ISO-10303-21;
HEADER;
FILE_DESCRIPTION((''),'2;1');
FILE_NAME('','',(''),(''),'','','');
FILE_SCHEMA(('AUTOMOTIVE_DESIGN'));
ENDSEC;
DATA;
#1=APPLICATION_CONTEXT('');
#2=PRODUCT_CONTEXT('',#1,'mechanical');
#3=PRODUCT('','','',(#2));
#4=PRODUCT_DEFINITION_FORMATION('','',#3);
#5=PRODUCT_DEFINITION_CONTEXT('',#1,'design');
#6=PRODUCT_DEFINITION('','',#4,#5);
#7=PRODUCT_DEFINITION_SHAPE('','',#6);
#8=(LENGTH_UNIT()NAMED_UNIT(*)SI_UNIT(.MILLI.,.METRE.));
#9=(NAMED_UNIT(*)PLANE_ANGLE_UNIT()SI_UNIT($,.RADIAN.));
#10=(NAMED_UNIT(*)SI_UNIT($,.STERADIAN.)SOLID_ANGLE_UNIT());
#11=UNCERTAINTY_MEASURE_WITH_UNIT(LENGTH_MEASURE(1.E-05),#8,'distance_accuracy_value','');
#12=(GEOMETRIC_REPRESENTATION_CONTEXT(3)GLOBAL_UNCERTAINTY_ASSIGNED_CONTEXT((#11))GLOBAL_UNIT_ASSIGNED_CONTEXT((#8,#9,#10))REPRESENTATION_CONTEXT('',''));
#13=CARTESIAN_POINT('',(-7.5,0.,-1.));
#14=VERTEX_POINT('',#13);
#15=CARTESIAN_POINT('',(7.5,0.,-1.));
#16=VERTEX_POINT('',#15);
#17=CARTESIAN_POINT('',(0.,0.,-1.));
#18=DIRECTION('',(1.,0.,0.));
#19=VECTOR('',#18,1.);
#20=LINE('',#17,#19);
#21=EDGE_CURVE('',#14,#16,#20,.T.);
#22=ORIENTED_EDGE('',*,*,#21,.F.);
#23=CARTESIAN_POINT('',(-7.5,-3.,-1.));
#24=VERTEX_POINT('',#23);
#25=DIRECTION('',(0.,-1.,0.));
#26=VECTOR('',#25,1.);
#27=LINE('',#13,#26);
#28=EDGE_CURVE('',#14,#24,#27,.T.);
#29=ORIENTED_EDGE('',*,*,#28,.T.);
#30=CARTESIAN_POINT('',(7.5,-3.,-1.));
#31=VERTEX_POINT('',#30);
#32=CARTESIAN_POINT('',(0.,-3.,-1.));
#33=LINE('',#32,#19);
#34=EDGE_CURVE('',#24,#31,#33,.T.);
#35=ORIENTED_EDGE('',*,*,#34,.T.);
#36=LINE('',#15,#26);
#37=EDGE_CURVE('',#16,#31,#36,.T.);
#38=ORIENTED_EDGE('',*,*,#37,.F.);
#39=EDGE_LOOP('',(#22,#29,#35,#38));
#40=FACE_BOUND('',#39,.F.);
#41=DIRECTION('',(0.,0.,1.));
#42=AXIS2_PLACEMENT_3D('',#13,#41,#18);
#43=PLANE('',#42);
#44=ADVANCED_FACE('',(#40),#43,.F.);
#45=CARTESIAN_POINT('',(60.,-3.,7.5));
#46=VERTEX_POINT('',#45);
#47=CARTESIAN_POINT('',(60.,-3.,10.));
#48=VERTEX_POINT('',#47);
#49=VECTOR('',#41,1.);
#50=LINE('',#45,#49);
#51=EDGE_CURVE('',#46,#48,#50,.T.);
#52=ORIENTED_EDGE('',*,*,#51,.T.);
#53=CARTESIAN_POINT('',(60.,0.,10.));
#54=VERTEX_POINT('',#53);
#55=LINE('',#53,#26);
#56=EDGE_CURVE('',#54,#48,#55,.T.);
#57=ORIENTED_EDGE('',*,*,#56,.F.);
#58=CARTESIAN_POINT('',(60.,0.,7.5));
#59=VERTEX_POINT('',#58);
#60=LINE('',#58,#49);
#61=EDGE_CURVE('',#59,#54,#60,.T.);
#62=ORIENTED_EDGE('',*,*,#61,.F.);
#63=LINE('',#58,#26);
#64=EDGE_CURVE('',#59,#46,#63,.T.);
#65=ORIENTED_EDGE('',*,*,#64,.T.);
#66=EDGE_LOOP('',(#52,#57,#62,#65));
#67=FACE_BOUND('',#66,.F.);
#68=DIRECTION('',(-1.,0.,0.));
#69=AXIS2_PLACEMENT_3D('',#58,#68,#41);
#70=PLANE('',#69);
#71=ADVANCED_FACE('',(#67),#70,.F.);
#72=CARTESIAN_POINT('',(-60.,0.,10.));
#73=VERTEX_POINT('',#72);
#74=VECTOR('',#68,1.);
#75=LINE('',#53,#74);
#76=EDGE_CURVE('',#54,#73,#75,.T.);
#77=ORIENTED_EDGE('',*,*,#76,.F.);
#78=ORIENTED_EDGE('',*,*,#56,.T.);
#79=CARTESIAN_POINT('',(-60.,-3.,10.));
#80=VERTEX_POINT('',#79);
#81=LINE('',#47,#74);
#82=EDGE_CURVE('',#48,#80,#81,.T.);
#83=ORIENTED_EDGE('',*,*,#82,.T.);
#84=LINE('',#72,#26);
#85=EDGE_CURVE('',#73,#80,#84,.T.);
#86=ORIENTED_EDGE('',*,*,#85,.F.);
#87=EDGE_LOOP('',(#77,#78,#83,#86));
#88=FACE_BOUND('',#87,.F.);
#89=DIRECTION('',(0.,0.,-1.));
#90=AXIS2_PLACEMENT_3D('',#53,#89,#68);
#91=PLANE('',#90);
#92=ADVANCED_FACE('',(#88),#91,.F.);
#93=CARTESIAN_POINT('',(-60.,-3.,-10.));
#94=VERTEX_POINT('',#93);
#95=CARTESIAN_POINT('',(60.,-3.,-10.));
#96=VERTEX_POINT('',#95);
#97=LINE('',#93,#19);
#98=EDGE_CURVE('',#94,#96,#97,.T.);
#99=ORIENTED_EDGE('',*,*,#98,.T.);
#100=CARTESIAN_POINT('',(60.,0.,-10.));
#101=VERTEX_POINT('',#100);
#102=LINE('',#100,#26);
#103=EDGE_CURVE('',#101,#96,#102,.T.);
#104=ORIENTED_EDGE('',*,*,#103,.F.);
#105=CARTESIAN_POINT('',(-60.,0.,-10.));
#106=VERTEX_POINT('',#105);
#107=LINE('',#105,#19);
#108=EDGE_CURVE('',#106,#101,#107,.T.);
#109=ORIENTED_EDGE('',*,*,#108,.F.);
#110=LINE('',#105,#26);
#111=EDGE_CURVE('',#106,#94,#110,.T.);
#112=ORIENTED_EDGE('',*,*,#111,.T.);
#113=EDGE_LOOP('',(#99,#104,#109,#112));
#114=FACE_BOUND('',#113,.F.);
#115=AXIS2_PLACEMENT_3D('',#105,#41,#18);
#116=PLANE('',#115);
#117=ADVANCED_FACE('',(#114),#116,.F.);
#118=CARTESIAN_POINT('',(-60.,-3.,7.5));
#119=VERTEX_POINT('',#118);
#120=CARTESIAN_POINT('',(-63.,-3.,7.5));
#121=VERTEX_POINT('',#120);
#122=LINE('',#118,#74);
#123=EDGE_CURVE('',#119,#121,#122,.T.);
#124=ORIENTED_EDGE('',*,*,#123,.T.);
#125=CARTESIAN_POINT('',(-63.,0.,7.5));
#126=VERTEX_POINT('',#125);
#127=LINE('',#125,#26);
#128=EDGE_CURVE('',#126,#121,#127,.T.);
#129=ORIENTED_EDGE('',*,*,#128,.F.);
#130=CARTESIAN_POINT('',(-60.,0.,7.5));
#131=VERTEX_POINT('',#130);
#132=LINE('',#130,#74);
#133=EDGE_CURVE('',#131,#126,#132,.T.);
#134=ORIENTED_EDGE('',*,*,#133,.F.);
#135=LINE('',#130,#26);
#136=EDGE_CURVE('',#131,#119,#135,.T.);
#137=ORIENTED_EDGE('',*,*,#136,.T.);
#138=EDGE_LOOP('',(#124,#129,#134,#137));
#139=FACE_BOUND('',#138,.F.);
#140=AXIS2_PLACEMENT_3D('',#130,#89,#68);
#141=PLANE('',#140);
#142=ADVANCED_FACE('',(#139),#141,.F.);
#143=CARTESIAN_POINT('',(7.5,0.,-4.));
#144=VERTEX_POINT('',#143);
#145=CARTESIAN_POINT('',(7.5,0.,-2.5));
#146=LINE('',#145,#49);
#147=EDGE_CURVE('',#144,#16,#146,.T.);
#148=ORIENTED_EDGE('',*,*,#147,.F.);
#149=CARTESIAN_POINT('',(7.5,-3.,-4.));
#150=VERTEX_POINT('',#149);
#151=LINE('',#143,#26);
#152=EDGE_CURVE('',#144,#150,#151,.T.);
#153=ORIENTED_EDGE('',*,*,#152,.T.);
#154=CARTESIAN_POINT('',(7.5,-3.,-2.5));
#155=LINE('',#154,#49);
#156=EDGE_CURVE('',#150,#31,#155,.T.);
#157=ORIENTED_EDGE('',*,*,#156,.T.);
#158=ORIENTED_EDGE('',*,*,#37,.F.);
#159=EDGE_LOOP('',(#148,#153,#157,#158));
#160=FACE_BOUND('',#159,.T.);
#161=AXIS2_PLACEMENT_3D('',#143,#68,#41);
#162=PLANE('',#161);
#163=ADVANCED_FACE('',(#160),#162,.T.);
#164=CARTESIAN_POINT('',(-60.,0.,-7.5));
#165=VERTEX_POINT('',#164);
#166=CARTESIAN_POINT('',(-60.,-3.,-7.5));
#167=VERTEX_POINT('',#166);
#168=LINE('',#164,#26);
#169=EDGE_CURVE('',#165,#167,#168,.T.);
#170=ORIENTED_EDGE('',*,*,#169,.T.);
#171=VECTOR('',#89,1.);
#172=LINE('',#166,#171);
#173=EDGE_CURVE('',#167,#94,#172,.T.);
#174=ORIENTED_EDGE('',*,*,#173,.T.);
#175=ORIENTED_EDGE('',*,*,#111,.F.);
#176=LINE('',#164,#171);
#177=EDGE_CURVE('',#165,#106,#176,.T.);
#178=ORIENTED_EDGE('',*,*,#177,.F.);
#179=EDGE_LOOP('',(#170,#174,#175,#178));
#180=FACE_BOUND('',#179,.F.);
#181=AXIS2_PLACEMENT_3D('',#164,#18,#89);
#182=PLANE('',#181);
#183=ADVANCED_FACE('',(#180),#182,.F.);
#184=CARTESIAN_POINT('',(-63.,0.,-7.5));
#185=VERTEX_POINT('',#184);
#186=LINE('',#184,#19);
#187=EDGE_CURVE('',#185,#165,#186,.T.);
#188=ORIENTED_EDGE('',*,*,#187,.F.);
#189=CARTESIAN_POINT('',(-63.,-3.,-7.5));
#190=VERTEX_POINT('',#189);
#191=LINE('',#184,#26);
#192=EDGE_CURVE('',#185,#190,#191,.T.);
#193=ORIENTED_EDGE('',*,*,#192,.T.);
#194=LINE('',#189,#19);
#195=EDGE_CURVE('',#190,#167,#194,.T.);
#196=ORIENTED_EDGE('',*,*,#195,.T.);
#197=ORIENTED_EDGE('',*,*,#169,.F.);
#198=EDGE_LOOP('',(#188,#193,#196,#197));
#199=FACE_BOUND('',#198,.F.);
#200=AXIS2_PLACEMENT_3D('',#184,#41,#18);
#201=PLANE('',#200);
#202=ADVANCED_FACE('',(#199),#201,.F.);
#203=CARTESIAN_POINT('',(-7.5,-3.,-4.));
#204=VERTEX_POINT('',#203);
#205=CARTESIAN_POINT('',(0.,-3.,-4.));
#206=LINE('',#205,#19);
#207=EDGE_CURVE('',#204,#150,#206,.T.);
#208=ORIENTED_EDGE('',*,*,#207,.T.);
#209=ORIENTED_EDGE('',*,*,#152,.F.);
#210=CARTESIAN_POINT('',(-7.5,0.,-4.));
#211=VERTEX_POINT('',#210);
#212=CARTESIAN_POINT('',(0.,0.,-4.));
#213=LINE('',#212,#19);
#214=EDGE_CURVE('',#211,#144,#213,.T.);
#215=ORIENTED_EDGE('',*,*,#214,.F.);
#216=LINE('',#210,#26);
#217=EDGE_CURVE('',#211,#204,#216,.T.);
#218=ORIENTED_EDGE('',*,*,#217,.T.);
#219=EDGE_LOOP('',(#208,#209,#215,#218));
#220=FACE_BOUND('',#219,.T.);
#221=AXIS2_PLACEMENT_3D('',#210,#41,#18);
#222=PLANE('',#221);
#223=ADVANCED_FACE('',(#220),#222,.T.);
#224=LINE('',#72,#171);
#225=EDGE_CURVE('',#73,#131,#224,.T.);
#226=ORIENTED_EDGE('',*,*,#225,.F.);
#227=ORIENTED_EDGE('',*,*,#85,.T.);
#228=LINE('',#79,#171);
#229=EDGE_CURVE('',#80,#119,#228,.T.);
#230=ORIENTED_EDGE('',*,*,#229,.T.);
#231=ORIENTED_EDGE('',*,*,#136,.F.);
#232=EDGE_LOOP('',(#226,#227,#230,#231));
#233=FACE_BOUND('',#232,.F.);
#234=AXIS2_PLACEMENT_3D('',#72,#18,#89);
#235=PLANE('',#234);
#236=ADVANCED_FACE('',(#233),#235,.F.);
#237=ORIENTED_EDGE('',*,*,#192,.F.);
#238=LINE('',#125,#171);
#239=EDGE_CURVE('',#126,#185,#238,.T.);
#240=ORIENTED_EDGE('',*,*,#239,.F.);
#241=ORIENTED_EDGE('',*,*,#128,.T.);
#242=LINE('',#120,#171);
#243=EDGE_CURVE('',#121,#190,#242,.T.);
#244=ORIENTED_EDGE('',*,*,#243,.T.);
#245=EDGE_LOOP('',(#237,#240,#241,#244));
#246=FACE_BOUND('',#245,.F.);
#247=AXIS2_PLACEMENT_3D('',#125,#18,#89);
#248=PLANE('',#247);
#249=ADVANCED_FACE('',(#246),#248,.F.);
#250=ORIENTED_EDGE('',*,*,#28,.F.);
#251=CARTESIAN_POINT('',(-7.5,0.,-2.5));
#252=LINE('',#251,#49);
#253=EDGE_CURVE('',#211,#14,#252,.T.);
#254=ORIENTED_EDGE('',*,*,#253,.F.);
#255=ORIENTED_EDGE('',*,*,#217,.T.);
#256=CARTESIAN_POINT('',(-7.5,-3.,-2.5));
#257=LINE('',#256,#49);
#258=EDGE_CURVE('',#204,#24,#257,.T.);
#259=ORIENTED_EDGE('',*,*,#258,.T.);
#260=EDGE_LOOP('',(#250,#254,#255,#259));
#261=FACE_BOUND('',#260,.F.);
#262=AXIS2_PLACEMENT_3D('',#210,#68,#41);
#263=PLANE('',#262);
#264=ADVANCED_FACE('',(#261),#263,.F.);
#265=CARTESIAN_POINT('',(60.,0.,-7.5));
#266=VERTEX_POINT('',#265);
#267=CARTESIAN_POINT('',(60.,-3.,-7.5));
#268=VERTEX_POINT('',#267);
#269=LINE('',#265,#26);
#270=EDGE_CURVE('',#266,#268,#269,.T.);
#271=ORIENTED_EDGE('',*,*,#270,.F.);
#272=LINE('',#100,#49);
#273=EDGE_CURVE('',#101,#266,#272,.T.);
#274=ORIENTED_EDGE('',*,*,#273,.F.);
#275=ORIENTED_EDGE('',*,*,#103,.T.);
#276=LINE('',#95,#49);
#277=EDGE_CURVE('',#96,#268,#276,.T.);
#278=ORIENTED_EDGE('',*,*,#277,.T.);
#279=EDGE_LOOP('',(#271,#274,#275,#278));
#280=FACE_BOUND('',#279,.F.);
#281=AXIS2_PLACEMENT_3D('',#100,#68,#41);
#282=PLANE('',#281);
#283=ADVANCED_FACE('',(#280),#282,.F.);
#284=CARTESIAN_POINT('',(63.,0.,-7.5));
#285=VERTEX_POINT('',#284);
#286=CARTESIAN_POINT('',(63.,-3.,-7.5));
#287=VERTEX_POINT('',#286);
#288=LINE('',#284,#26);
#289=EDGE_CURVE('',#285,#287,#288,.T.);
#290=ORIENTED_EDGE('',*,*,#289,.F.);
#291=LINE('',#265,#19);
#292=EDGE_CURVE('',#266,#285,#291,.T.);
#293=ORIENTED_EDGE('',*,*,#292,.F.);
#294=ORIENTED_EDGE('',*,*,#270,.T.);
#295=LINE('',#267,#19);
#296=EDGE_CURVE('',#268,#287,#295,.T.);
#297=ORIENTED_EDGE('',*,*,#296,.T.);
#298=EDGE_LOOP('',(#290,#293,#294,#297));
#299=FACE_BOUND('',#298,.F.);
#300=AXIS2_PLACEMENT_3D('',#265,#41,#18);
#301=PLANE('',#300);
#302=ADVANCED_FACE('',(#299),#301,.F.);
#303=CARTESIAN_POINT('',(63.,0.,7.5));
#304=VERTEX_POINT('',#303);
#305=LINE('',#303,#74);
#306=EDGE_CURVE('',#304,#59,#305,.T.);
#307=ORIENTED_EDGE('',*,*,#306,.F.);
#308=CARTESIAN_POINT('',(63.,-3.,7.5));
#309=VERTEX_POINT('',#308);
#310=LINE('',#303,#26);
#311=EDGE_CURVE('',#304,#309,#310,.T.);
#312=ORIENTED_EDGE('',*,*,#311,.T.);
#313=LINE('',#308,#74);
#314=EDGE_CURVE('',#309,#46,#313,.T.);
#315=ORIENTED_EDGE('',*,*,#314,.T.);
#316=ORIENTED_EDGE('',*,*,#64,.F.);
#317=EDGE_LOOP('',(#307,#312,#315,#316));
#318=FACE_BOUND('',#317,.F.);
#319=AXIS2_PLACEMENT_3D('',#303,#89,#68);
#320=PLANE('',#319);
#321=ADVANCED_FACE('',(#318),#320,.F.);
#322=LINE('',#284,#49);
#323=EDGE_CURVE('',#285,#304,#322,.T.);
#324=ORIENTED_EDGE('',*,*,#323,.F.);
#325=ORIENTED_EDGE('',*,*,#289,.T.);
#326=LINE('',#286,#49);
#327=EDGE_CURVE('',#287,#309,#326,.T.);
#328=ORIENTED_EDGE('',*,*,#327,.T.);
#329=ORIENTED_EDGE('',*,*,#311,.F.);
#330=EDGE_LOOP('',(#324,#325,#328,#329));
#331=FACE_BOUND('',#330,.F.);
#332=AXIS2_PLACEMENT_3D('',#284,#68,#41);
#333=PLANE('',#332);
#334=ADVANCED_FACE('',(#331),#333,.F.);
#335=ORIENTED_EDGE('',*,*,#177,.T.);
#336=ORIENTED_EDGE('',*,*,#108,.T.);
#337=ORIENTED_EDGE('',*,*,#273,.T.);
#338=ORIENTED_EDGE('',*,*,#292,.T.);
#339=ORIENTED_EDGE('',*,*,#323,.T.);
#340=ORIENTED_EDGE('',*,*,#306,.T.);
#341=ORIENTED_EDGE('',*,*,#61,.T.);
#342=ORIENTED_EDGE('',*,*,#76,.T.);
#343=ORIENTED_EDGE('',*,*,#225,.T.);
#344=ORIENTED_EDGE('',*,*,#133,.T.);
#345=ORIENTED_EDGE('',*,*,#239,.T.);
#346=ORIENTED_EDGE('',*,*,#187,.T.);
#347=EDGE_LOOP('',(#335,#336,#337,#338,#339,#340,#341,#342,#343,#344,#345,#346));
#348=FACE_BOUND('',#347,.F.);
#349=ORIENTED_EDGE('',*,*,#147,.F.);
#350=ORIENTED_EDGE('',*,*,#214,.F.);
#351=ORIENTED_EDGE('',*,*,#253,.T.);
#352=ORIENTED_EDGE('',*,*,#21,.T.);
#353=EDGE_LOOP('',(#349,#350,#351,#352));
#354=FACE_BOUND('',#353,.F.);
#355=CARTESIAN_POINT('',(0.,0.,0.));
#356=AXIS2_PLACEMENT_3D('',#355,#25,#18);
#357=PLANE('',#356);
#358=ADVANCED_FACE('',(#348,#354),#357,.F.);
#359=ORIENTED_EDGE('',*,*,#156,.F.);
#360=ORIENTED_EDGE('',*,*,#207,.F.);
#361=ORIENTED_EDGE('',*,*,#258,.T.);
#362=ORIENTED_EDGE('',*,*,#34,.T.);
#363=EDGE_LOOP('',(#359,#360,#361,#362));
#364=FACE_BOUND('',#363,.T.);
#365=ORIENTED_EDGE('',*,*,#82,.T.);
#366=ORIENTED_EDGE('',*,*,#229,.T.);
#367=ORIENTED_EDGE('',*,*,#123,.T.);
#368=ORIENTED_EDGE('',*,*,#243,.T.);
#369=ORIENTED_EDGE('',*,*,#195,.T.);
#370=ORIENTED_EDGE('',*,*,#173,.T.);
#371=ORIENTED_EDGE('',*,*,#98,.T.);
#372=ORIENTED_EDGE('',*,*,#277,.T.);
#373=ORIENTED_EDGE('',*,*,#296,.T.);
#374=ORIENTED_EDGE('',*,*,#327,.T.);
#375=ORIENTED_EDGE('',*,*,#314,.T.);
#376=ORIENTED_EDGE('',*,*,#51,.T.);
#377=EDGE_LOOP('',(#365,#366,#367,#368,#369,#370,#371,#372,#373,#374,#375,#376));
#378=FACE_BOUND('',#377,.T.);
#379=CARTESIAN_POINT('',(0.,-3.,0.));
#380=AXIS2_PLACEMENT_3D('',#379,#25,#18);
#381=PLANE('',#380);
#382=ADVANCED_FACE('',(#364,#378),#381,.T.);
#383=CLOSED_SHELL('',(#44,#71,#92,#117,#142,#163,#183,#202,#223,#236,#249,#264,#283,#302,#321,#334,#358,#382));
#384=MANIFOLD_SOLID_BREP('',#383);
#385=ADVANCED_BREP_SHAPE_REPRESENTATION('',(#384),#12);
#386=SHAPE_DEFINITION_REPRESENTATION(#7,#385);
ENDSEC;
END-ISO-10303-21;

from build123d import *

# Parameters (mm, degrees)
F0_W     = 15
F0_H     = 3
F1_DEPTH = 3


with BuildPart() as f1:
    # F0 (on Front) → F1 (new body)
    with BuildSketch(Plane.XZ):
        Polygon((60, 10), (-60, 10), (-60, 7.5), (-63, 7.5), (-63, -7.5), (-60, -7.5), (-60, -10), (60, -10), (60, -7.5), (63, -7.5), (63, 7.5), (60, 7.5), align=None)
        with Locations((0, -2.5)):
            Rectangle(F0_W, F0_H, mode=Mode.SUBTRACT)
    extrude(amount=F1_DEPTH)


solid = f1.part
